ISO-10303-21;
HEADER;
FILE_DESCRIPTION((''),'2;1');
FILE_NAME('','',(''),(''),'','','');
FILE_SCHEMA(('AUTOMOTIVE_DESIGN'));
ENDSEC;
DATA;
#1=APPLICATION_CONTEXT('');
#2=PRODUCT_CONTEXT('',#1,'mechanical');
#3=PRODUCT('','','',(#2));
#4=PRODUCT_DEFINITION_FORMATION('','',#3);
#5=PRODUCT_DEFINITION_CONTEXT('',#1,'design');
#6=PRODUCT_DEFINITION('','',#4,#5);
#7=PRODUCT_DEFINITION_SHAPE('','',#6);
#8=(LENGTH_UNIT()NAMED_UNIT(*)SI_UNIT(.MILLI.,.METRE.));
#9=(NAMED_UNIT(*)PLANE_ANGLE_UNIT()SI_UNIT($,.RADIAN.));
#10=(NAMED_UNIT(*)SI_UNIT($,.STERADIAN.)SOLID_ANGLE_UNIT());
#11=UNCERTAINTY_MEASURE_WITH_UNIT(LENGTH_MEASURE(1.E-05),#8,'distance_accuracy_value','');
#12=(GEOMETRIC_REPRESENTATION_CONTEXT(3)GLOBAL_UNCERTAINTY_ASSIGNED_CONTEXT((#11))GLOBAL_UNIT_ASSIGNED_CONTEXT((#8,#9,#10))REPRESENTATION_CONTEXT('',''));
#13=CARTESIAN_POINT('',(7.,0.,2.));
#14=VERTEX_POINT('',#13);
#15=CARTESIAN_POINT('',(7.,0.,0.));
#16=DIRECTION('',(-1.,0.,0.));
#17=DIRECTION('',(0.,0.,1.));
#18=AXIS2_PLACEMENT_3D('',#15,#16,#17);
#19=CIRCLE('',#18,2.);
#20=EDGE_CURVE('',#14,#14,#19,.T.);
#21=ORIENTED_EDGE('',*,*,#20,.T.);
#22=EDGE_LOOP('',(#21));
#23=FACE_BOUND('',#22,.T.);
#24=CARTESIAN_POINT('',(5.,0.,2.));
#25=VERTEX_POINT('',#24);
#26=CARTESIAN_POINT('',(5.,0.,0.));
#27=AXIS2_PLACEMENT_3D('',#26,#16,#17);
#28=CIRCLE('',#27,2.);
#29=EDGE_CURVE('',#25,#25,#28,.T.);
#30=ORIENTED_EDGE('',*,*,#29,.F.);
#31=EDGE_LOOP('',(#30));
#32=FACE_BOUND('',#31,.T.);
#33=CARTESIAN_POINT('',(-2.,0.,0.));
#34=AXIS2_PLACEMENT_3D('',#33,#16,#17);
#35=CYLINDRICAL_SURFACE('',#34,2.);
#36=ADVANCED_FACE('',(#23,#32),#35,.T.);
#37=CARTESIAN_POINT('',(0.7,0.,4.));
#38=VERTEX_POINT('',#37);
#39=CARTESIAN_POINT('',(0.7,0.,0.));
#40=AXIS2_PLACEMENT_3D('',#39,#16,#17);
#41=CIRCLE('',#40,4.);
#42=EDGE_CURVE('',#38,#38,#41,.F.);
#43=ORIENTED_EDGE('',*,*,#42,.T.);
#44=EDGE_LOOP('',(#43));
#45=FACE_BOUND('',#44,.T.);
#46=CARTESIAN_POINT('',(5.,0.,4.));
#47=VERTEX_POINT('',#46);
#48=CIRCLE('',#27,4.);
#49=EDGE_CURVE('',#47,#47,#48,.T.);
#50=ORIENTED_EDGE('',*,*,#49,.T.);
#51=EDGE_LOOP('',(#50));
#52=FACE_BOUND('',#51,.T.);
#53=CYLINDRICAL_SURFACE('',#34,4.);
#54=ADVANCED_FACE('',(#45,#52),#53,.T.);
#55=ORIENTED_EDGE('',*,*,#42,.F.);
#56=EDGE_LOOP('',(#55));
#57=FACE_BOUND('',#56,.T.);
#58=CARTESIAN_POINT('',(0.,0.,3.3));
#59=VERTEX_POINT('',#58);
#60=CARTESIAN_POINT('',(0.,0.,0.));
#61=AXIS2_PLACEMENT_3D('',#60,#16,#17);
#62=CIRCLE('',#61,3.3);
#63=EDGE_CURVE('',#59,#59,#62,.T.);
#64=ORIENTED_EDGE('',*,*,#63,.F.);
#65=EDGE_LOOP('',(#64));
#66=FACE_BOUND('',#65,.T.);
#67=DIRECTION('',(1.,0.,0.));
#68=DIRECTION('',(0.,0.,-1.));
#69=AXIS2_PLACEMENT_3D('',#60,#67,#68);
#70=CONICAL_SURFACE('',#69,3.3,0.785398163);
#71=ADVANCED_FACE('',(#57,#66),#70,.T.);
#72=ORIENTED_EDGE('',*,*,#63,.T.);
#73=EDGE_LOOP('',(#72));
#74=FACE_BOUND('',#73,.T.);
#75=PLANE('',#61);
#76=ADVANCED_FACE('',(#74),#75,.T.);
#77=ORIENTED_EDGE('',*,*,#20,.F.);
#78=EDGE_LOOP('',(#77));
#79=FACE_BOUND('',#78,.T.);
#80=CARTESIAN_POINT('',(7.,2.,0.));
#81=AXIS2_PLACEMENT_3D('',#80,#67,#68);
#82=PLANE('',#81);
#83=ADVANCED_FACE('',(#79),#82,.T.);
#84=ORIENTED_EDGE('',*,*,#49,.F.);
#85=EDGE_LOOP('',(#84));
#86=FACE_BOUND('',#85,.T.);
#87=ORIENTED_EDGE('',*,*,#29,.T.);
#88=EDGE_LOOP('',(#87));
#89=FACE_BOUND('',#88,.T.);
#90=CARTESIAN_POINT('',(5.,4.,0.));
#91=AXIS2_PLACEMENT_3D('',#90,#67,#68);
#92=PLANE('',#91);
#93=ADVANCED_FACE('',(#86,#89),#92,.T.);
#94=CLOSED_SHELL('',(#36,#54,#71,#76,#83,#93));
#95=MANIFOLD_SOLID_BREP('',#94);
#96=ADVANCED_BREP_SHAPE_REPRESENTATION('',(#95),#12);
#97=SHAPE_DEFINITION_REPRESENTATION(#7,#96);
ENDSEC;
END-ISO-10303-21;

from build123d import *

# Parameters (mm, degrees)
CHANFREIN1_SIZE = 0.7


with BuildPart() as part:
    # Esquisse1 → Base-Révolution (revolve)
    with BuildSketch(Plane.XY, mode=Mode.PRIVATE) as base_r_volution_sk:
        Polygon((0, 0), (0, 4), (5, 4), (5, 2), (7, 2), (7, 0), align=None)
    revolve(base_r_volution_sk.sketch.rotate(Axis((-2, 0, 0), (1, 0, 0)), 90), axis=Axis((-2, 0, 0), (1, 0, 0)))

    # Chanfrein1
    chanfrein1_edges = [part.edges().sort_by_distance(p)[0] for p in [
        (0, 0, -4),
    ]]
    chamfer(chanfrein1_edges, length=CHANFREIN1_SIZE)


solid = part.part
